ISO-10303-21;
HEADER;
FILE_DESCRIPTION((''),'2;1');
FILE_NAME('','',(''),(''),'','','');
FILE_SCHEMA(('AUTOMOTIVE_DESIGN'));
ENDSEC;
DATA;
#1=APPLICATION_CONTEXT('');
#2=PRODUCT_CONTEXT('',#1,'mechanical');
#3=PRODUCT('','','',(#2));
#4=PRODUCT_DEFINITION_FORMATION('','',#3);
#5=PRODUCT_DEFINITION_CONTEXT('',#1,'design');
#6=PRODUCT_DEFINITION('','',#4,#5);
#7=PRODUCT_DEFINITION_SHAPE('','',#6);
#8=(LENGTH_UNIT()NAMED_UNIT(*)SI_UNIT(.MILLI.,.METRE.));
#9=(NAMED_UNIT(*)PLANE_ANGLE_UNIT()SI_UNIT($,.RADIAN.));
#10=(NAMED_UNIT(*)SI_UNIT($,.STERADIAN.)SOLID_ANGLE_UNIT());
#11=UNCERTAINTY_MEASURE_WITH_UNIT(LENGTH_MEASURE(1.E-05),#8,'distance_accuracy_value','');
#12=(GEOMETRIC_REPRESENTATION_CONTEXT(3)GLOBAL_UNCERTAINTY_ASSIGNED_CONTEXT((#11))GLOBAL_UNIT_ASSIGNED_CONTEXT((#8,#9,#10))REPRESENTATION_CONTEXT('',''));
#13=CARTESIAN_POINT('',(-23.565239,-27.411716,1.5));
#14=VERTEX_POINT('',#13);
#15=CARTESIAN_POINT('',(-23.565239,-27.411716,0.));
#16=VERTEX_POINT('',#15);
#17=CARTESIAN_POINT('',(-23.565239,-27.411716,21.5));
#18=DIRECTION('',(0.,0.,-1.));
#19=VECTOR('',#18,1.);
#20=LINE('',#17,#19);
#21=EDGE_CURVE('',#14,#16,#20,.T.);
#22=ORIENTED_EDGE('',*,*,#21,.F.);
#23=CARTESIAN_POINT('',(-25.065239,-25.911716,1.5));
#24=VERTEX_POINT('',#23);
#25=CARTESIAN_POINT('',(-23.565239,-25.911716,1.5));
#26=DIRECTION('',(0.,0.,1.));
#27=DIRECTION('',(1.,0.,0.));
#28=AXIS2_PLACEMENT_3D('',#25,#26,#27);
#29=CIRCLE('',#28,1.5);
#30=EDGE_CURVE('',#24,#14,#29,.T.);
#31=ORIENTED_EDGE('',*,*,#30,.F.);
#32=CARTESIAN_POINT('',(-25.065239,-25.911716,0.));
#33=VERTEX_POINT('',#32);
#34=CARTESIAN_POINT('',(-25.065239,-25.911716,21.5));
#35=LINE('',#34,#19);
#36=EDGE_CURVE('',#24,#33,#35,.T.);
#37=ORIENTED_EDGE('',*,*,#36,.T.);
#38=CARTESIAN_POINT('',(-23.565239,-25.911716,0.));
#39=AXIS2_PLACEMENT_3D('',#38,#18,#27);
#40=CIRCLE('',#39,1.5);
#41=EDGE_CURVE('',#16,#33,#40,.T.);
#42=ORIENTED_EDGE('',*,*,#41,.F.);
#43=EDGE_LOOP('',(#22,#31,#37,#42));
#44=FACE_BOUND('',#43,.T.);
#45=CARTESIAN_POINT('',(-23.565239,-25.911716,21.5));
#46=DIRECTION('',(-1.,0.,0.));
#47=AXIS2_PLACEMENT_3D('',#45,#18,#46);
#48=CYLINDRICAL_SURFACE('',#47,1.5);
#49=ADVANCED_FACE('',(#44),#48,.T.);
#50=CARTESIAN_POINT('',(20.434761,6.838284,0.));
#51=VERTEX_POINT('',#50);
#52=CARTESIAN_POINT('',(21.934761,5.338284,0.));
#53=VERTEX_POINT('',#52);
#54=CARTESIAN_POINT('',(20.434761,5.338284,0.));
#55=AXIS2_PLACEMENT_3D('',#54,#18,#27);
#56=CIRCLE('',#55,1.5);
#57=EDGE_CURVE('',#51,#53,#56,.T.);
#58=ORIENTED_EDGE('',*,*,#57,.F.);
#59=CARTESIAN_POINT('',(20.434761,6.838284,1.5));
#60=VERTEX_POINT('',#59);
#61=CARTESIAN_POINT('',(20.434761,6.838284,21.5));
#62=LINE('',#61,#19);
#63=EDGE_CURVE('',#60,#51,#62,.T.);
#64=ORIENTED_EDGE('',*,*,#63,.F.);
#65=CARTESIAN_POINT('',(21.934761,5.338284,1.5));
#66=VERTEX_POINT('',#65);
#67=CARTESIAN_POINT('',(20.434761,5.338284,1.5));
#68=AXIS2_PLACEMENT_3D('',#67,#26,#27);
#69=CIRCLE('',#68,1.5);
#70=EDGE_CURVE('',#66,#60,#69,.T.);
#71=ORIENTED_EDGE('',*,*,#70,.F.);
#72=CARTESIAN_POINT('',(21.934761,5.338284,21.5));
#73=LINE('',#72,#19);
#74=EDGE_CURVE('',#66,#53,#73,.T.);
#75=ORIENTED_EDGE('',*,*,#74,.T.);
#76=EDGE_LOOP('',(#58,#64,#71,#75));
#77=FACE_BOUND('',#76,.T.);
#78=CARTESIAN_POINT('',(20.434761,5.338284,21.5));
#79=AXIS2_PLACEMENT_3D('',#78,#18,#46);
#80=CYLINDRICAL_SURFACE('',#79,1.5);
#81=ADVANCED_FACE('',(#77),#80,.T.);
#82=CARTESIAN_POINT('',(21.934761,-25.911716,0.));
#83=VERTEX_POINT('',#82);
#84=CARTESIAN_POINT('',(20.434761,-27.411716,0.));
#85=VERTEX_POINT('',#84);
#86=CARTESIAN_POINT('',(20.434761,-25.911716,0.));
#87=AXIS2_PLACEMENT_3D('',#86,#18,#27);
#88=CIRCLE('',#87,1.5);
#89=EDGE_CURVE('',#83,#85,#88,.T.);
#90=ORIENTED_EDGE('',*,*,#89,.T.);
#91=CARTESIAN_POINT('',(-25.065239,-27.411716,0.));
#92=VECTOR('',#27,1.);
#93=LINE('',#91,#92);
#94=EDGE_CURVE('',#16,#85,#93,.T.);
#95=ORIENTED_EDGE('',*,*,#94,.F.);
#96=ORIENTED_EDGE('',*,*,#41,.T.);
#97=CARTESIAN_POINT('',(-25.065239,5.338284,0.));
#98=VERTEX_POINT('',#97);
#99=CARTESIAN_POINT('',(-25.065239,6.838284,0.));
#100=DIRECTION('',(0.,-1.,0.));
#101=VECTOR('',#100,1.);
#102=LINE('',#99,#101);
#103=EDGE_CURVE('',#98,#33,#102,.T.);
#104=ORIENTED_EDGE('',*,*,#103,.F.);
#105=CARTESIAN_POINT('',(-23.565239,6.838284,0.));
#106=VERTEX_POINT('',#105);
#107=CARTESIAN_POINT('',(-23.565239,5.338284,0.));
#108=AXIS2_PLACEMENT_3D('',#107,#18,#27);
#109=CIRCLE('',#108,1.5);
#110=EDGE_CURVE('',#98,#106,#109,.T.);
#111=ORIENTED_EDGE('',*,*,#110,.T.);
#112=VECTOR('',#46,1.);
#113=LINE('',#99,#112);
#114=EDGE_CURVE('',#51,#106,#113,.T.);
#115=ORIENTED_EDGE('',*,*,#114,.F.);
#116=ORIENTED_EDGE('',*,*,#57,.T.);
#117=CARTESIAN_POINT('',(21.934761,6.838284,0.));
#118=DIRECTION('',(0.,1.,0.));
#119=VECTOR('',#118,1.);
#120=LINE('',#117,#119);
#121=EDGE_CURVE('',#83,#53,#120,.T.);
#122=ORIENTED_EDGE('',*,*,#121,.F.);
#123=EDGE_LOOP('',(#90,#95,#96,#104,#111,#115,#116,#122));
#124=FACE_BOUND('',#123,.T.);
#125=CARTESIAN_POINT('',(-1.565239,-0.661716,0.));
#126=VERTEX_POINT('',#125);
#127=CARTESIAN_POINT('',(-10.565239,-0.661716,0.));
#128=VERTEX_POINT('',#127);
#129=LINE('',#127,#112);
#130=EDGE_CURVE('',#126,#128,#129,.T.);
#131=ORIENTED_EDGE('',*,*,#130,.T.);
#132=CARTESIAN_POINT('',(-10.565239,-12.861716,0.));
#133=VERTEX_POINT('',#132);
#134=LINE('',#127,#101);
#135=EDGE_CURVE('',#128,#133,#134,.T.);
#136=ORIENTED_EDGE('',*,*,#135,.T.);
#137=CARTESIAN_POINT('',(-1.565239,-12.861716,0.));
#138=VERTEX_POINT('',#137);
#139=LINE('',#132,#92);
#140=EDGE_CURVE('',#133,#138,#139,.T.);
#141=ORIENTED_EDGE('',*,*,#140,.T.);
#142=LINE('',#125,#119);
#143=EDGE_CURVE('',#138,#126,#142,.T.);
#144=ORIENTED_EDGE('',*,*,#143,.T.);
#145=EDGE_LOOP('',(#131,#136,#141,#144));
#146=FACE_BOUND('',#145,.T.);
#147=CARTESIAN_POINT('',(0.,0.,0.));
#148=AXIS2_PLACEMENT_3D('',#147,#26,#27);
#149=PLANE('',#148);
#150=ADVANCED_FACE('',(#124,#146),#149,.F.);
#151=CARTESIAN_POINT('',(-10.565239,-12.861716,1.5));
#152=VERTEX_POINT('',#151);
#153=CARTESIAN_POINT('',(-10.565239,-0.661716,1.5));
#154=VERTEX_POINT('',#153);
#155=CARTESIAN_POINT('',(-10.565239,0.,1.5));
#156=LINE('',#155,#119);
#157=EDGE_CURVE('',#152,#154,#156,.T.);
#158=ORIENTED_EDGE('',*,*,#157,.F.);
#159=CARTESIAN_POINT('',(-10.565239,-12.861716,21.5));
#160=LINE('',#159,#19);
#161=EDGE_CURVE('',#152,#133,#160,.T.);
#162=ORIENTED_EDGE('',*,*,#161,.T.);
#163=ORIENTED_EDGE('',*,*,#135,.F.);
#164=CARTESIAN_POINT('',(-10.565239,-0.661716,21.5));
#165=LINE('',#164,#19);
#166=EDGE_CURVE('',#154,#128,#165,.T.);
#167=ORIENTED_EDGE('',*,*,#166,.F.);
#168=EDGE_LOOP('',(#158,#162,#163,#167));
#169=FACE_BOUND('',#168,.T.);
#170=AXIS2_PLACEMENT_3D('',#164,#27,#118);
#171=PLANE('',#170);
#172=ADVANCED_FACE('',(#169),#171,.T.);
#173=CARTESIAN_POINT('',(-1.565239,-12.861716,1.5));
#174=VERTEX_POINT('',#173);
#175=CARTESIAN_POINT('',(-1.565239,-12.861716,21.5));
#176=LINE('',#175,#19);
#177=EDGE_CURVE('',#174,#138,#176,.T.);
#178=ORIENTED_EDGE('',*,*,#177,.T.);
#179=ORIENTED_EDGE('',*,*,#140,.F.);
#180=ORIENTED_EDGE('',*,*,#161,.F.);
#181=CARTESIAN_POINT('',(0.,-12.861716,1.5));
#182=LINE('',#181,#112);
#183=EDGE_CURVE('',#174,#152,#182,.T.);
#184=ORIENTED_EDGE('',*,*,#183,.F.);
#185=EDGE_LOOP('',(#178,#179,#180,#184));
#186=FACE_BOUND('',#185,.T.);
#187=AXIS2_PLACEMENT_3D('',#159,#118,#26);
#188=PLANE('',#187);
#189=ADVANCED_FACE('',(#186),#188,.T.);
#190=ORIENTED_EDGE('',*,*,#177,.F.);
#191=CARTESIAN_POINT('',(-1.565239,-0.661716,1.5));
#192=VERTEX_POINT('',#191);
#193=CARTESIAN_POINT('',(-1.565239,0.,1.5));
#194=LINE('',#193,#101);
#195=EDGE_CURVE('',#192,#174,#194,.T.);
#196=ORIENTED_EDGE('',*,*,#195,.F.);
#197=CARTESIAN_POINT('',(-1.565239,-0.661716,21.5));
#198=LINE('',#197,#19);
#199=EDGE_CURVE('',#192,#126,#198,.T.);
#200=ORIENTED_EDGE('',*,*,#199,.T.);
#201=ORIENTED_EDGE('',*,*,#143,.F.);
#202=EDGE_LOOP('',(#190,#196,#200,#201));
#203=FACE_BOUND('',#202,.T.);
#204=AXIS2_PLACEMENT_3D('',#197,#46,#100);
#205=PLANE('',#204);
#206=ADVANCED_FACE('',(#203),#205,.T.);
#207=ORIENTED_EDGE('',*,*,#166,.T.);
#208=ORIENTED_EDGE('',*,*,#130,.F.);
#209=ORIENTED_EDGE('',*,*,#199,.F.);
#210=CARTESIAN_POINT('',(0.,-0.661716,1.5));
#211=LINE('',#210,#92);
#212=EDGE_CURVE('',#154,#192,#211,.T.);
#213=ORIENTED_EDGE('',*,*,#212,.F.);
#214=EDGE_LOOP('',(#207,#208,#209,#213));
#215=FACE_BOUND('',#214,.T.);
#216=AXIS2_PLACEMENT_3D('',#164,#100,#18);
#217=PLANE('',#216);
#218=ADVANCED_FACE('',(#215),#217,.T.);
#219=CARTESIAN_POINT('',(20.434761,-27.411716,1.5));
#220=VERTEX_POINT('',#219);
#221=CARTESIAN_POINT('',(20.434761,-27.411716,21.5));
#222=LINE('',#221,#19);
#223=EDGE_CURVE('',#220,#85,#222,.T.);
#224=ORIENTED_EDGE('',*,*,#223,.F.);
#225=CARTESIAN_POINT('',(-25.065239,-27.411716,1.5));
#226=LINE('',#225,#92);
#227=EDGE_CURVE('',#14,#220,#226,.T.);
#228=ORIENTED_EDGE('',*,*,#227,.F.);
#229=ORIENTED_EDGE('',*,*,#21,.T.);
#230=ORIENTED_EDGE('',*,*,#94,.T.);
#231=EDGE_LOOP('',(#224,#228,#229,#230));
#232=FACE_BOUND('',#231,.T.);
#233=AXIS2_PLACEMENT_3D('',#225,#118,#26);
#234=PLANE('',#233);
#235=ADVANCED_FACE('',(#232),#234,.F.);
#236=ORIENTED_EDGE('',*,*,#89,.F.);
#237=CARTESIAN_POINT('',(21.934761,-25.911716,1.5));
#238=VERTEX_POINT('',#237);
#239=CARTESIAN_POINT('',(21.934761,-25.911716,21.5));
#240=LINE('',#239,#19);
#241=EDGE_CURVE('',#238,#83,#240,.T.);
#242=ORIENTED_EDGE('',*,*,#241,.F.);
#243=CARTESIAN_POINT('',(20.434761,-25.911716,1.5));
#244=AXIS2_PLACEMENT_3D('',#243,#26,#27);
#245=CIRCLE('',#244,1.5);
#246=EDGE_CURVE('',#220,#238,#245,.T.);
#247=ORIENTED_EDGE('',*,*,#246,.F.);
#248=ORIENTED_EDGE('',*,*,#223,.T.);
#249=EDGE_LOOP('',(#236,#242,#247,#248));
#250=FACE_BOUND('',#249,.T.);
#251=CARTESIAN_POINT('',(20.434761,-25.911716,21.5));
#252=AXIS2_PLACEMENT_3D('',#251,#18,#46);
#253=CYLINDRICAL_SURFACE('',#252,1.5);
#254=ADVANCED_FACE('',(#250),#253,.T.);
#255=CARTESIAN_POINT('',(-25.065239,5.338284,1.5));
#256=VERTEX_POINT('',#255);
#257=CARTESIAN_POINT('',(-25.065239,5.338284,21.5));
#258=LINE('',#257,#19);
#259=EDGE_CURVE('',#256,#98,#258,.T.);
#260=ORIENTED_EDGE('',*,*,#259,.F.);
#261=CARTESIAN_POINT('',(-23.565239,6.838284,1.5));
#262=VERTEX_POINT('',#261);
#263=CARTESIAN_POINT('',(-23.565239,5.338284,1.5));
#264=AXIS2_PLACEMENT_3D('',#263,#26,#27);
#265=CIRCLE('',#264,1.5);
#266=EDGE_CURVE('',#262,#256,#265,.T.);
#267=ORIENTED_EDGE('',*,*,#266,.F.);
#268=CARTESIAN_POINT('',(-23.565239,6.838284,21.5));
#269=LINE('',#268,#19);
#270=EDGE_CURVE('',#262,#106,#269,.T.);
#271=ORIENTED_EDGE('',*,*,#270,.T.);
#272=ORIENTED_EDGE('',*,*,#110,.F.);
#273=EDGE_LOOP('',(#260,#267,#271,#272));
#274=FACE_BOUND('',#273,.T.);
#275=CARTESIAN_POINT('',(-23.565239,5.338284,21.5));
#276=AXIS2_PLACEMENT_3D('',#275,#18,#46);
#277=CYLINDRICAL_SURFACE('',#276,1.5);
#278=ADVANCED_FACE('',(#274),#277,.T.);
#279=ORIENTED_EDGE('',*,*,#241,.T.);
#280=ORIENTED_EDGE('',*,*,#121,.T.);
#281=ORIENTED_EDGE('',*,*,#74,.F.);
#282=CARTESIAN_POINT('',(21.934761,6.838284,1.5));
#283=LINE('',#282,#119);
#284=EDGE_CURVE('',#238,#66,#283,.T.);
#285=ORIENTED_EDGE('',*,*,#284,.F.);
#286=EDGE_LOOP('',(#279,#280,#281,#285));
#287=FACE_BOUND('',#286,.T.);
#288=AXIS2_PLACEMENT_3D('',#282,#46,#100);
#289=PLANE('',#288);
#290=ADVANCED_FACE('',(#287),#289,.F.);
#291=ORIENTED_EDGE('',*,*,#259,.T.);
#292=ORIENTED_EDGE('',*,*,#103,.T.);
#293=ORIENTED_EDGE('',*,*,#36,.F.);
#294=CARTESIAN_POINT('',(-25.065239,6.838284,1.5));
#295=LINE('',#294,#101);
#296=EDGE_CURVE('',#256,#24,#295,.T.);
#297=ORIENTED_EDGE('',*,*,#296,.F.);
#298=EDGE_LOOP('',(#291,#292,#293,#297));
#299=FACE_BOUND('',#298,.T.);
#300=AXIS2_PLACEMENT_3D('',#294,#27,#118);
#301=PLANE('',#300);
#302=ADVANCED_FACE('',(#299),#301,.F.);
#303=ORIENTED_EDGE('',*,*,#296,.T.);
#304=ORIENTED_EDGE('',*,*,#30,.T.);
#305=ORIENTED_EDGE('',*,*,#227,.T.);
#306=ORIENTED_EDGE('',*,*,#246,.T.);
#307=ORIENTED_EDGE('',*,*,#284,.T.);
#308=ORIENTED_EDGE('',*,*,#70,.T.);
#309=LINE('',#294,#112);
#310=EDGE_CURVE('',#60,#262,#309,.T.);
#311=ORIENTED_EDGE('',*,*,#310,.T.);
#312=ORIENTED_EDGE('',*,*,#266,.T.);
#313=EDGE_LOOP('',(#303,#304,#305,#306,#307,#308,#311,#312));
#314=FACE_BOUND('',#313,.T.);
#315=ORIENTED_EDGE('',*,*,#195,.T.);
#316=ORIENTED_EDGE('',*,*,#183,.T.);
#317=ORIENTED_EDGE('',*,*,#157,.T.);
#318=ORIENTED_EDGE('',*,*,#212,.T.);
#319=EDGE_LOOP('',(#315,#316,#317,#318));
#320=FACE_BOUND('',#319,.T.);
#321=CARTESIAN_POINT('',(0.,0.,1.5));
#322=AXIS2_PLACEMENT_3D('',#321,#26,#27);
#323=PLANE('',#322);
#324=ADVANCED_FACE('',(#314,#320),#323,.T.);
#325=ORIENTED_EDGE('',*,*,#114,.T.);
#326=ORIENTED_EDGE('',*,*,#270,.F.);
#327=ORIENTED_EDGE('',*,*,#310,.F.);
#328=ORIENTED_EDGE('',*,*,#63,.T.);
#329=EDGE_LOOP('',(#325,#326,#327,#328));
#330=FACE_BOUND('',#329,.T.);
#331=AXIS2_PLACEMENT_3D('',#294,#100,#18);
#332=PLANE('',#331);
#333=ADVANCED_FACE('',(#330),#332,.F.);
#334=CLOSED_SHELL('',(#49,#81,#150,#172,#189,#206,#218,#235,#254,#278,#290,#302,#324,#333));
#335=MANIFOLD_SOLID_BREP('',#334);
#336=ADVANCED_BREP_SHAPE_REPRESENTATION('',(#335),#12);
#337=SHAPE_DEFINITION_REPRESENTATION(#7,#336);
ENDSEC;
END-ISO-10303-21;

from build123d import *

# Parameters (mm, degrees)
CROQUIS1_W              = 47
CROQUIS1_H              = 34.25
SALIENTE_EXTRUIR1_DEPTH = 1.5
CROQUIS2_W              = 9
CROQUIS2_H              = 12.2
CORTAR_EXTRUIR5_DEPTH   = 21.5
CORTAR_EXTRUIR6_DEPTH   = 21.5


with BuildPart() as part:
    # Croquis1 → Saliente-Extruir1 (new body)
    with BuildSketch(Plane.XY):
        with Locations((-1.565239082, -10.286716172)):
            Rectangle(CROQUIS1_W, CROQUIS1_H)
    extrude(amount=SALIENTE_EXTRUIR1_DEPTH)

    # Croquis2 → Cortar-Extruir5 (cut)
    with BuildSketch(Plane.XY):
        with Locations((-6.065239082, -6.761716172)):
            Rectangle(CROQUIS2_W, CROQUIS2_H)
    extrude(amount=CORTAR_EXTRUIR5_DEPTH, mode=Mode.SUBTRACT)

    # Croquis3 → Cortar-Extruir6 (cut)
    with BuildSketch(Plane.XY):
        with BuildLine():
            Line((-25.065239082, -25.911716172), (-25.065239082, -27.411716172))
            Line((-25.065239082, -27.411716172), (-23.565239082, -27.411716172))
            ThreePointArc((-23.565239082, -27.411716172), (-24.625899254, -26.972376343), (-25.065239082, -25.911716172))
        make_face()
        with BuildLine():
            Line((-25.065239082, 5.338283828), (-25.065239082, 6.838283828))
            Line((-25.065239082, 6.838283828), (-23.565239082, 6.838283828))
            ThreePointArc((-23.565239082, 6.838283828), (-24.625899254, 6.398944), (-25.065239082, 5.338283828))
        make_face()
        with BuildLine():
            Line((20.434760918, 6.838283828), (21.934760918, 6.838283828))
            Line((21.934760918, 6.838283828), (21.934760918, 5.338283828))
            ThreePointArc((21.934760918, 5.338283828), (21.49542109, 6.398944), (20.434760918, 6.838283828))
        make_face()
        with BuildLine():
            Line((21.934760918, -27.411716172), (21.934760918, -25.911716172))
            ThreePointArc((21.934760918, -25.911716172), (21.49542109, -26.972376343), (20.434760918, -27.411716172))
            Line((20.434760918, -27.411716172), (21.934760918, -27.411716172))
        make_face()
    extrude(amount=CORTAR_EXTRUIR6_DEPTH, mode=Mode.SUBTRACT)


solid = part.part
